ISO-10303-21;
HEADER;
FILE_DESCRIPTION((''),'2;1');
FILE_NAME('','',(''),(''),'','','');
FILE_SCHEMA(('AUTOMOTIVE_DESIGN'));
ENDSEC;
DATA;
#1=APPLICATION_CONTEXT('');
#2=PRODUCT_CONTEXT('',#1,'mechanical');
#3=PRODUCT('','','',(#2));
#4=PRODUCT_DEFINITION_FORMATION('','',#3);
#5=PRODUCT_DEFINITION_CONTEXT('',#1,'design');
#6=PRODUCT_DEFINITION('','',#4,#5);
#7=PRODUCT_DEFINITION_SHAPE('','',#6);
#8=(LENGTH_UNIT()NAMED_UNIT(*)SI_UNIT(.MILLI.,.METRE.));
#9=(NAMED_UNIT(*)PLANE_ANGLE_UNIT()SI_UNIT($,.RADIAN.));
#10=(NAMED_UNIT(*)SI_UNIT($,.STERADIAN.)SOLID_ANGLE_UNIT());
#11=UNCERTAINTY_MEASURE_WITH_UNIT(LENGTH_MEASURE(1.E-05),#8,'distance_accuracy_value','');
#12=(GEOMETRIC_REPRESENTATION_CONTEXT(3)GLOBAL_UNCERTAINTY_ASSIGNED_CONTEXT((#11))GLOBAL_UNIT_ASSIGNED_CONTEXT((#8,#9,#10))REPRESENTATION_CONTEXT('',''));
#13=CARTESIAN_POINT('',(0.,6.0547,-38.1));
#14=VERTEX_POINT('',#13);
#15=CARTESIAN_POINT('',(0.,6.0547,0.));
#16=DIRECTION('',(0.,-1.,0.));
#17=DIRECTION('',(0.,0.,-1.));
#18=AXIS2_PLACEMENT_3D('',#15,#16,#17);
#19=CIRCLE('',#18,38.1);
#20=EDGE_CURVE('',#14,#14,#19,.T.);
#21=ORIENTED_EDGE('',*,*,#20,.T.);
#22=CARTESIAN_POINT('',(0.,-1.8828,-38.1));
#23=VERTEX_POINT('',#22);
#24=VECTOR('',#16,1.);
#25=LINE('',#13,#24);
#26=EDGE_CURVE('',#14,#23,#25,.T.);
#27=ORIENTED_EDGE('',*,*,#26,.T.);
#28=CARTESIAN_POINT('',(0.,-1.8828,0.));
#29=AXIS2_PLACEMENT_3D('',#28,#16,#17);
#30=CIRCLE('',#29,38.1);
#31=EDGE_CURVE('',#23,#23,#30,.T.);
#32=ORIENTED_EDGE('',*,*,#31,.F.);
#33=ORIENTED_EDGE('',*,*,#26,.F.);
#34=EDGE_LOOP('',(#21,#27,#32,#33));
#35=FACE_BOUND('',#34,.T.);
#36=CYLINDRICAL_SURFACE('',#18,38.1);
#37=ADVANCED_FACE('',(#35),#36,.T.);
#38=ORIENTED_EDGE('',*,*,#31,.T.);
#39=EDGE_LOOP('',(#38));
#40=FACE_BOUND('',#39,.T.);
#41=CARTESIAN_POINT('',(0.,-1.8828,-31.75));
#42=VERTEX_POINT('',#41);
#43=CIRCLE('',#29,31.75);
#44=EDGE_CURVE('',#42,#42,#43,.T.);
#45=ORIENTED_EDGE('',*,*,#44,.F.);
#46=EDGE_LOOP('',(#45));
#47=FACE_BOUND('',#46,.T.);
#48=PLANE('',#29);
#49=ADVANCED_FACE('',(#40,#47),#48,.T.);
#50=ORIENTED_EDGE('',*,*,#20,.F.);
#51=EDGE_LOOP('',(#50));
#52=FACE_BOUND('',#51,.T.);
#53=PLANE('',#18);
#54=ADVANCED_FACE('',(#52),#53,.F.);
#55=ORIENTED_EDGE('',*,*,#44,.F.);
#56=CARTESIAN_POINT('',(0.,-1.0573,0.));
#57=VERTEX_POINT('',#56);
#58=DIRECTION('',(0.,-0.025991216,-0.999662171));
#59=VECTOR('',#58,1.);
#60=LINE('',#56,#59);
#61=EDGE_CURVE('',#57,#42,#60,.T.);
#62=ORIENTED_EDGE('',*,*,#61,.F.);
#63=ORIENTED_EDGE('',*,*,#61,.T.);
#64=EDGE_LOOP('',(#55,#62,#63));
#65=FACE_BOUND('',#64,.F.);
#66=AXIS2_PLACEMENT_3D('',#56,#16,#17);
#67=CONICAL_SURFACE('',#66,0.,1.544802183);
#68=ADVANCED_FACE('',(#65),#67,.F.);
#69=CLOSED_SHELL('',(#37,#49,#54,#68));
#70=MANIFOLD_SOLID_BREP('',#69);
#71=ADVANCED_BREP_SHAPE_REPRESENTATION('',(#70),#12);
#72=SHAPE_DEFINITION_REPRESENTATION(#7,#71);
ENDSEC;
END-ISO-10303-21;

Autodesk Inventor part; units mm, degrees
ref_plane "YZ Plane" through (0, 0, 0) normal (1, 0, 0) x (0, 1, 0)
ref_plane "XZ Plane" through (0, 0, 0) normal (0, 1, 0) x (-1, 0, 0)
ref_plane "XY Plane" through (0, 0, 0) normal (0, 0, 1) x (1, 0, 0)
sketch "Sketch1" plane through (0, 0, 0) normal (1, 0, 0) x (0, 1, 0)
  line L0 (6.0547, 0) -> (6.0547, -38.1)
  line L1 (6.0547, -38.1) -> (-1.8828, -38.1)
  line L2 (-1.8828, -38.1) -> (-1.8828, -31.75)
  line L3 (6.0547, 0) -> (-1.0573, 0)
  line L4 (-1.0573, 0) -> (-1.8828, -31.75)
  line L5 (18.8787, 0) -> (-18.455, 0)
  point P0 (0, 0)
  dimension "d0" = 38.1
  dimension "d1" = 7.9375
  dimension "d2" = 6.35
  dimension "d3" = 7.112
revolve "Revolution1" add sketch "Sketch1" angle 360 about axis through (0, 18.8787, 0) along (0, -1, 0)
properties part number "Concave_3_516_Plate"
